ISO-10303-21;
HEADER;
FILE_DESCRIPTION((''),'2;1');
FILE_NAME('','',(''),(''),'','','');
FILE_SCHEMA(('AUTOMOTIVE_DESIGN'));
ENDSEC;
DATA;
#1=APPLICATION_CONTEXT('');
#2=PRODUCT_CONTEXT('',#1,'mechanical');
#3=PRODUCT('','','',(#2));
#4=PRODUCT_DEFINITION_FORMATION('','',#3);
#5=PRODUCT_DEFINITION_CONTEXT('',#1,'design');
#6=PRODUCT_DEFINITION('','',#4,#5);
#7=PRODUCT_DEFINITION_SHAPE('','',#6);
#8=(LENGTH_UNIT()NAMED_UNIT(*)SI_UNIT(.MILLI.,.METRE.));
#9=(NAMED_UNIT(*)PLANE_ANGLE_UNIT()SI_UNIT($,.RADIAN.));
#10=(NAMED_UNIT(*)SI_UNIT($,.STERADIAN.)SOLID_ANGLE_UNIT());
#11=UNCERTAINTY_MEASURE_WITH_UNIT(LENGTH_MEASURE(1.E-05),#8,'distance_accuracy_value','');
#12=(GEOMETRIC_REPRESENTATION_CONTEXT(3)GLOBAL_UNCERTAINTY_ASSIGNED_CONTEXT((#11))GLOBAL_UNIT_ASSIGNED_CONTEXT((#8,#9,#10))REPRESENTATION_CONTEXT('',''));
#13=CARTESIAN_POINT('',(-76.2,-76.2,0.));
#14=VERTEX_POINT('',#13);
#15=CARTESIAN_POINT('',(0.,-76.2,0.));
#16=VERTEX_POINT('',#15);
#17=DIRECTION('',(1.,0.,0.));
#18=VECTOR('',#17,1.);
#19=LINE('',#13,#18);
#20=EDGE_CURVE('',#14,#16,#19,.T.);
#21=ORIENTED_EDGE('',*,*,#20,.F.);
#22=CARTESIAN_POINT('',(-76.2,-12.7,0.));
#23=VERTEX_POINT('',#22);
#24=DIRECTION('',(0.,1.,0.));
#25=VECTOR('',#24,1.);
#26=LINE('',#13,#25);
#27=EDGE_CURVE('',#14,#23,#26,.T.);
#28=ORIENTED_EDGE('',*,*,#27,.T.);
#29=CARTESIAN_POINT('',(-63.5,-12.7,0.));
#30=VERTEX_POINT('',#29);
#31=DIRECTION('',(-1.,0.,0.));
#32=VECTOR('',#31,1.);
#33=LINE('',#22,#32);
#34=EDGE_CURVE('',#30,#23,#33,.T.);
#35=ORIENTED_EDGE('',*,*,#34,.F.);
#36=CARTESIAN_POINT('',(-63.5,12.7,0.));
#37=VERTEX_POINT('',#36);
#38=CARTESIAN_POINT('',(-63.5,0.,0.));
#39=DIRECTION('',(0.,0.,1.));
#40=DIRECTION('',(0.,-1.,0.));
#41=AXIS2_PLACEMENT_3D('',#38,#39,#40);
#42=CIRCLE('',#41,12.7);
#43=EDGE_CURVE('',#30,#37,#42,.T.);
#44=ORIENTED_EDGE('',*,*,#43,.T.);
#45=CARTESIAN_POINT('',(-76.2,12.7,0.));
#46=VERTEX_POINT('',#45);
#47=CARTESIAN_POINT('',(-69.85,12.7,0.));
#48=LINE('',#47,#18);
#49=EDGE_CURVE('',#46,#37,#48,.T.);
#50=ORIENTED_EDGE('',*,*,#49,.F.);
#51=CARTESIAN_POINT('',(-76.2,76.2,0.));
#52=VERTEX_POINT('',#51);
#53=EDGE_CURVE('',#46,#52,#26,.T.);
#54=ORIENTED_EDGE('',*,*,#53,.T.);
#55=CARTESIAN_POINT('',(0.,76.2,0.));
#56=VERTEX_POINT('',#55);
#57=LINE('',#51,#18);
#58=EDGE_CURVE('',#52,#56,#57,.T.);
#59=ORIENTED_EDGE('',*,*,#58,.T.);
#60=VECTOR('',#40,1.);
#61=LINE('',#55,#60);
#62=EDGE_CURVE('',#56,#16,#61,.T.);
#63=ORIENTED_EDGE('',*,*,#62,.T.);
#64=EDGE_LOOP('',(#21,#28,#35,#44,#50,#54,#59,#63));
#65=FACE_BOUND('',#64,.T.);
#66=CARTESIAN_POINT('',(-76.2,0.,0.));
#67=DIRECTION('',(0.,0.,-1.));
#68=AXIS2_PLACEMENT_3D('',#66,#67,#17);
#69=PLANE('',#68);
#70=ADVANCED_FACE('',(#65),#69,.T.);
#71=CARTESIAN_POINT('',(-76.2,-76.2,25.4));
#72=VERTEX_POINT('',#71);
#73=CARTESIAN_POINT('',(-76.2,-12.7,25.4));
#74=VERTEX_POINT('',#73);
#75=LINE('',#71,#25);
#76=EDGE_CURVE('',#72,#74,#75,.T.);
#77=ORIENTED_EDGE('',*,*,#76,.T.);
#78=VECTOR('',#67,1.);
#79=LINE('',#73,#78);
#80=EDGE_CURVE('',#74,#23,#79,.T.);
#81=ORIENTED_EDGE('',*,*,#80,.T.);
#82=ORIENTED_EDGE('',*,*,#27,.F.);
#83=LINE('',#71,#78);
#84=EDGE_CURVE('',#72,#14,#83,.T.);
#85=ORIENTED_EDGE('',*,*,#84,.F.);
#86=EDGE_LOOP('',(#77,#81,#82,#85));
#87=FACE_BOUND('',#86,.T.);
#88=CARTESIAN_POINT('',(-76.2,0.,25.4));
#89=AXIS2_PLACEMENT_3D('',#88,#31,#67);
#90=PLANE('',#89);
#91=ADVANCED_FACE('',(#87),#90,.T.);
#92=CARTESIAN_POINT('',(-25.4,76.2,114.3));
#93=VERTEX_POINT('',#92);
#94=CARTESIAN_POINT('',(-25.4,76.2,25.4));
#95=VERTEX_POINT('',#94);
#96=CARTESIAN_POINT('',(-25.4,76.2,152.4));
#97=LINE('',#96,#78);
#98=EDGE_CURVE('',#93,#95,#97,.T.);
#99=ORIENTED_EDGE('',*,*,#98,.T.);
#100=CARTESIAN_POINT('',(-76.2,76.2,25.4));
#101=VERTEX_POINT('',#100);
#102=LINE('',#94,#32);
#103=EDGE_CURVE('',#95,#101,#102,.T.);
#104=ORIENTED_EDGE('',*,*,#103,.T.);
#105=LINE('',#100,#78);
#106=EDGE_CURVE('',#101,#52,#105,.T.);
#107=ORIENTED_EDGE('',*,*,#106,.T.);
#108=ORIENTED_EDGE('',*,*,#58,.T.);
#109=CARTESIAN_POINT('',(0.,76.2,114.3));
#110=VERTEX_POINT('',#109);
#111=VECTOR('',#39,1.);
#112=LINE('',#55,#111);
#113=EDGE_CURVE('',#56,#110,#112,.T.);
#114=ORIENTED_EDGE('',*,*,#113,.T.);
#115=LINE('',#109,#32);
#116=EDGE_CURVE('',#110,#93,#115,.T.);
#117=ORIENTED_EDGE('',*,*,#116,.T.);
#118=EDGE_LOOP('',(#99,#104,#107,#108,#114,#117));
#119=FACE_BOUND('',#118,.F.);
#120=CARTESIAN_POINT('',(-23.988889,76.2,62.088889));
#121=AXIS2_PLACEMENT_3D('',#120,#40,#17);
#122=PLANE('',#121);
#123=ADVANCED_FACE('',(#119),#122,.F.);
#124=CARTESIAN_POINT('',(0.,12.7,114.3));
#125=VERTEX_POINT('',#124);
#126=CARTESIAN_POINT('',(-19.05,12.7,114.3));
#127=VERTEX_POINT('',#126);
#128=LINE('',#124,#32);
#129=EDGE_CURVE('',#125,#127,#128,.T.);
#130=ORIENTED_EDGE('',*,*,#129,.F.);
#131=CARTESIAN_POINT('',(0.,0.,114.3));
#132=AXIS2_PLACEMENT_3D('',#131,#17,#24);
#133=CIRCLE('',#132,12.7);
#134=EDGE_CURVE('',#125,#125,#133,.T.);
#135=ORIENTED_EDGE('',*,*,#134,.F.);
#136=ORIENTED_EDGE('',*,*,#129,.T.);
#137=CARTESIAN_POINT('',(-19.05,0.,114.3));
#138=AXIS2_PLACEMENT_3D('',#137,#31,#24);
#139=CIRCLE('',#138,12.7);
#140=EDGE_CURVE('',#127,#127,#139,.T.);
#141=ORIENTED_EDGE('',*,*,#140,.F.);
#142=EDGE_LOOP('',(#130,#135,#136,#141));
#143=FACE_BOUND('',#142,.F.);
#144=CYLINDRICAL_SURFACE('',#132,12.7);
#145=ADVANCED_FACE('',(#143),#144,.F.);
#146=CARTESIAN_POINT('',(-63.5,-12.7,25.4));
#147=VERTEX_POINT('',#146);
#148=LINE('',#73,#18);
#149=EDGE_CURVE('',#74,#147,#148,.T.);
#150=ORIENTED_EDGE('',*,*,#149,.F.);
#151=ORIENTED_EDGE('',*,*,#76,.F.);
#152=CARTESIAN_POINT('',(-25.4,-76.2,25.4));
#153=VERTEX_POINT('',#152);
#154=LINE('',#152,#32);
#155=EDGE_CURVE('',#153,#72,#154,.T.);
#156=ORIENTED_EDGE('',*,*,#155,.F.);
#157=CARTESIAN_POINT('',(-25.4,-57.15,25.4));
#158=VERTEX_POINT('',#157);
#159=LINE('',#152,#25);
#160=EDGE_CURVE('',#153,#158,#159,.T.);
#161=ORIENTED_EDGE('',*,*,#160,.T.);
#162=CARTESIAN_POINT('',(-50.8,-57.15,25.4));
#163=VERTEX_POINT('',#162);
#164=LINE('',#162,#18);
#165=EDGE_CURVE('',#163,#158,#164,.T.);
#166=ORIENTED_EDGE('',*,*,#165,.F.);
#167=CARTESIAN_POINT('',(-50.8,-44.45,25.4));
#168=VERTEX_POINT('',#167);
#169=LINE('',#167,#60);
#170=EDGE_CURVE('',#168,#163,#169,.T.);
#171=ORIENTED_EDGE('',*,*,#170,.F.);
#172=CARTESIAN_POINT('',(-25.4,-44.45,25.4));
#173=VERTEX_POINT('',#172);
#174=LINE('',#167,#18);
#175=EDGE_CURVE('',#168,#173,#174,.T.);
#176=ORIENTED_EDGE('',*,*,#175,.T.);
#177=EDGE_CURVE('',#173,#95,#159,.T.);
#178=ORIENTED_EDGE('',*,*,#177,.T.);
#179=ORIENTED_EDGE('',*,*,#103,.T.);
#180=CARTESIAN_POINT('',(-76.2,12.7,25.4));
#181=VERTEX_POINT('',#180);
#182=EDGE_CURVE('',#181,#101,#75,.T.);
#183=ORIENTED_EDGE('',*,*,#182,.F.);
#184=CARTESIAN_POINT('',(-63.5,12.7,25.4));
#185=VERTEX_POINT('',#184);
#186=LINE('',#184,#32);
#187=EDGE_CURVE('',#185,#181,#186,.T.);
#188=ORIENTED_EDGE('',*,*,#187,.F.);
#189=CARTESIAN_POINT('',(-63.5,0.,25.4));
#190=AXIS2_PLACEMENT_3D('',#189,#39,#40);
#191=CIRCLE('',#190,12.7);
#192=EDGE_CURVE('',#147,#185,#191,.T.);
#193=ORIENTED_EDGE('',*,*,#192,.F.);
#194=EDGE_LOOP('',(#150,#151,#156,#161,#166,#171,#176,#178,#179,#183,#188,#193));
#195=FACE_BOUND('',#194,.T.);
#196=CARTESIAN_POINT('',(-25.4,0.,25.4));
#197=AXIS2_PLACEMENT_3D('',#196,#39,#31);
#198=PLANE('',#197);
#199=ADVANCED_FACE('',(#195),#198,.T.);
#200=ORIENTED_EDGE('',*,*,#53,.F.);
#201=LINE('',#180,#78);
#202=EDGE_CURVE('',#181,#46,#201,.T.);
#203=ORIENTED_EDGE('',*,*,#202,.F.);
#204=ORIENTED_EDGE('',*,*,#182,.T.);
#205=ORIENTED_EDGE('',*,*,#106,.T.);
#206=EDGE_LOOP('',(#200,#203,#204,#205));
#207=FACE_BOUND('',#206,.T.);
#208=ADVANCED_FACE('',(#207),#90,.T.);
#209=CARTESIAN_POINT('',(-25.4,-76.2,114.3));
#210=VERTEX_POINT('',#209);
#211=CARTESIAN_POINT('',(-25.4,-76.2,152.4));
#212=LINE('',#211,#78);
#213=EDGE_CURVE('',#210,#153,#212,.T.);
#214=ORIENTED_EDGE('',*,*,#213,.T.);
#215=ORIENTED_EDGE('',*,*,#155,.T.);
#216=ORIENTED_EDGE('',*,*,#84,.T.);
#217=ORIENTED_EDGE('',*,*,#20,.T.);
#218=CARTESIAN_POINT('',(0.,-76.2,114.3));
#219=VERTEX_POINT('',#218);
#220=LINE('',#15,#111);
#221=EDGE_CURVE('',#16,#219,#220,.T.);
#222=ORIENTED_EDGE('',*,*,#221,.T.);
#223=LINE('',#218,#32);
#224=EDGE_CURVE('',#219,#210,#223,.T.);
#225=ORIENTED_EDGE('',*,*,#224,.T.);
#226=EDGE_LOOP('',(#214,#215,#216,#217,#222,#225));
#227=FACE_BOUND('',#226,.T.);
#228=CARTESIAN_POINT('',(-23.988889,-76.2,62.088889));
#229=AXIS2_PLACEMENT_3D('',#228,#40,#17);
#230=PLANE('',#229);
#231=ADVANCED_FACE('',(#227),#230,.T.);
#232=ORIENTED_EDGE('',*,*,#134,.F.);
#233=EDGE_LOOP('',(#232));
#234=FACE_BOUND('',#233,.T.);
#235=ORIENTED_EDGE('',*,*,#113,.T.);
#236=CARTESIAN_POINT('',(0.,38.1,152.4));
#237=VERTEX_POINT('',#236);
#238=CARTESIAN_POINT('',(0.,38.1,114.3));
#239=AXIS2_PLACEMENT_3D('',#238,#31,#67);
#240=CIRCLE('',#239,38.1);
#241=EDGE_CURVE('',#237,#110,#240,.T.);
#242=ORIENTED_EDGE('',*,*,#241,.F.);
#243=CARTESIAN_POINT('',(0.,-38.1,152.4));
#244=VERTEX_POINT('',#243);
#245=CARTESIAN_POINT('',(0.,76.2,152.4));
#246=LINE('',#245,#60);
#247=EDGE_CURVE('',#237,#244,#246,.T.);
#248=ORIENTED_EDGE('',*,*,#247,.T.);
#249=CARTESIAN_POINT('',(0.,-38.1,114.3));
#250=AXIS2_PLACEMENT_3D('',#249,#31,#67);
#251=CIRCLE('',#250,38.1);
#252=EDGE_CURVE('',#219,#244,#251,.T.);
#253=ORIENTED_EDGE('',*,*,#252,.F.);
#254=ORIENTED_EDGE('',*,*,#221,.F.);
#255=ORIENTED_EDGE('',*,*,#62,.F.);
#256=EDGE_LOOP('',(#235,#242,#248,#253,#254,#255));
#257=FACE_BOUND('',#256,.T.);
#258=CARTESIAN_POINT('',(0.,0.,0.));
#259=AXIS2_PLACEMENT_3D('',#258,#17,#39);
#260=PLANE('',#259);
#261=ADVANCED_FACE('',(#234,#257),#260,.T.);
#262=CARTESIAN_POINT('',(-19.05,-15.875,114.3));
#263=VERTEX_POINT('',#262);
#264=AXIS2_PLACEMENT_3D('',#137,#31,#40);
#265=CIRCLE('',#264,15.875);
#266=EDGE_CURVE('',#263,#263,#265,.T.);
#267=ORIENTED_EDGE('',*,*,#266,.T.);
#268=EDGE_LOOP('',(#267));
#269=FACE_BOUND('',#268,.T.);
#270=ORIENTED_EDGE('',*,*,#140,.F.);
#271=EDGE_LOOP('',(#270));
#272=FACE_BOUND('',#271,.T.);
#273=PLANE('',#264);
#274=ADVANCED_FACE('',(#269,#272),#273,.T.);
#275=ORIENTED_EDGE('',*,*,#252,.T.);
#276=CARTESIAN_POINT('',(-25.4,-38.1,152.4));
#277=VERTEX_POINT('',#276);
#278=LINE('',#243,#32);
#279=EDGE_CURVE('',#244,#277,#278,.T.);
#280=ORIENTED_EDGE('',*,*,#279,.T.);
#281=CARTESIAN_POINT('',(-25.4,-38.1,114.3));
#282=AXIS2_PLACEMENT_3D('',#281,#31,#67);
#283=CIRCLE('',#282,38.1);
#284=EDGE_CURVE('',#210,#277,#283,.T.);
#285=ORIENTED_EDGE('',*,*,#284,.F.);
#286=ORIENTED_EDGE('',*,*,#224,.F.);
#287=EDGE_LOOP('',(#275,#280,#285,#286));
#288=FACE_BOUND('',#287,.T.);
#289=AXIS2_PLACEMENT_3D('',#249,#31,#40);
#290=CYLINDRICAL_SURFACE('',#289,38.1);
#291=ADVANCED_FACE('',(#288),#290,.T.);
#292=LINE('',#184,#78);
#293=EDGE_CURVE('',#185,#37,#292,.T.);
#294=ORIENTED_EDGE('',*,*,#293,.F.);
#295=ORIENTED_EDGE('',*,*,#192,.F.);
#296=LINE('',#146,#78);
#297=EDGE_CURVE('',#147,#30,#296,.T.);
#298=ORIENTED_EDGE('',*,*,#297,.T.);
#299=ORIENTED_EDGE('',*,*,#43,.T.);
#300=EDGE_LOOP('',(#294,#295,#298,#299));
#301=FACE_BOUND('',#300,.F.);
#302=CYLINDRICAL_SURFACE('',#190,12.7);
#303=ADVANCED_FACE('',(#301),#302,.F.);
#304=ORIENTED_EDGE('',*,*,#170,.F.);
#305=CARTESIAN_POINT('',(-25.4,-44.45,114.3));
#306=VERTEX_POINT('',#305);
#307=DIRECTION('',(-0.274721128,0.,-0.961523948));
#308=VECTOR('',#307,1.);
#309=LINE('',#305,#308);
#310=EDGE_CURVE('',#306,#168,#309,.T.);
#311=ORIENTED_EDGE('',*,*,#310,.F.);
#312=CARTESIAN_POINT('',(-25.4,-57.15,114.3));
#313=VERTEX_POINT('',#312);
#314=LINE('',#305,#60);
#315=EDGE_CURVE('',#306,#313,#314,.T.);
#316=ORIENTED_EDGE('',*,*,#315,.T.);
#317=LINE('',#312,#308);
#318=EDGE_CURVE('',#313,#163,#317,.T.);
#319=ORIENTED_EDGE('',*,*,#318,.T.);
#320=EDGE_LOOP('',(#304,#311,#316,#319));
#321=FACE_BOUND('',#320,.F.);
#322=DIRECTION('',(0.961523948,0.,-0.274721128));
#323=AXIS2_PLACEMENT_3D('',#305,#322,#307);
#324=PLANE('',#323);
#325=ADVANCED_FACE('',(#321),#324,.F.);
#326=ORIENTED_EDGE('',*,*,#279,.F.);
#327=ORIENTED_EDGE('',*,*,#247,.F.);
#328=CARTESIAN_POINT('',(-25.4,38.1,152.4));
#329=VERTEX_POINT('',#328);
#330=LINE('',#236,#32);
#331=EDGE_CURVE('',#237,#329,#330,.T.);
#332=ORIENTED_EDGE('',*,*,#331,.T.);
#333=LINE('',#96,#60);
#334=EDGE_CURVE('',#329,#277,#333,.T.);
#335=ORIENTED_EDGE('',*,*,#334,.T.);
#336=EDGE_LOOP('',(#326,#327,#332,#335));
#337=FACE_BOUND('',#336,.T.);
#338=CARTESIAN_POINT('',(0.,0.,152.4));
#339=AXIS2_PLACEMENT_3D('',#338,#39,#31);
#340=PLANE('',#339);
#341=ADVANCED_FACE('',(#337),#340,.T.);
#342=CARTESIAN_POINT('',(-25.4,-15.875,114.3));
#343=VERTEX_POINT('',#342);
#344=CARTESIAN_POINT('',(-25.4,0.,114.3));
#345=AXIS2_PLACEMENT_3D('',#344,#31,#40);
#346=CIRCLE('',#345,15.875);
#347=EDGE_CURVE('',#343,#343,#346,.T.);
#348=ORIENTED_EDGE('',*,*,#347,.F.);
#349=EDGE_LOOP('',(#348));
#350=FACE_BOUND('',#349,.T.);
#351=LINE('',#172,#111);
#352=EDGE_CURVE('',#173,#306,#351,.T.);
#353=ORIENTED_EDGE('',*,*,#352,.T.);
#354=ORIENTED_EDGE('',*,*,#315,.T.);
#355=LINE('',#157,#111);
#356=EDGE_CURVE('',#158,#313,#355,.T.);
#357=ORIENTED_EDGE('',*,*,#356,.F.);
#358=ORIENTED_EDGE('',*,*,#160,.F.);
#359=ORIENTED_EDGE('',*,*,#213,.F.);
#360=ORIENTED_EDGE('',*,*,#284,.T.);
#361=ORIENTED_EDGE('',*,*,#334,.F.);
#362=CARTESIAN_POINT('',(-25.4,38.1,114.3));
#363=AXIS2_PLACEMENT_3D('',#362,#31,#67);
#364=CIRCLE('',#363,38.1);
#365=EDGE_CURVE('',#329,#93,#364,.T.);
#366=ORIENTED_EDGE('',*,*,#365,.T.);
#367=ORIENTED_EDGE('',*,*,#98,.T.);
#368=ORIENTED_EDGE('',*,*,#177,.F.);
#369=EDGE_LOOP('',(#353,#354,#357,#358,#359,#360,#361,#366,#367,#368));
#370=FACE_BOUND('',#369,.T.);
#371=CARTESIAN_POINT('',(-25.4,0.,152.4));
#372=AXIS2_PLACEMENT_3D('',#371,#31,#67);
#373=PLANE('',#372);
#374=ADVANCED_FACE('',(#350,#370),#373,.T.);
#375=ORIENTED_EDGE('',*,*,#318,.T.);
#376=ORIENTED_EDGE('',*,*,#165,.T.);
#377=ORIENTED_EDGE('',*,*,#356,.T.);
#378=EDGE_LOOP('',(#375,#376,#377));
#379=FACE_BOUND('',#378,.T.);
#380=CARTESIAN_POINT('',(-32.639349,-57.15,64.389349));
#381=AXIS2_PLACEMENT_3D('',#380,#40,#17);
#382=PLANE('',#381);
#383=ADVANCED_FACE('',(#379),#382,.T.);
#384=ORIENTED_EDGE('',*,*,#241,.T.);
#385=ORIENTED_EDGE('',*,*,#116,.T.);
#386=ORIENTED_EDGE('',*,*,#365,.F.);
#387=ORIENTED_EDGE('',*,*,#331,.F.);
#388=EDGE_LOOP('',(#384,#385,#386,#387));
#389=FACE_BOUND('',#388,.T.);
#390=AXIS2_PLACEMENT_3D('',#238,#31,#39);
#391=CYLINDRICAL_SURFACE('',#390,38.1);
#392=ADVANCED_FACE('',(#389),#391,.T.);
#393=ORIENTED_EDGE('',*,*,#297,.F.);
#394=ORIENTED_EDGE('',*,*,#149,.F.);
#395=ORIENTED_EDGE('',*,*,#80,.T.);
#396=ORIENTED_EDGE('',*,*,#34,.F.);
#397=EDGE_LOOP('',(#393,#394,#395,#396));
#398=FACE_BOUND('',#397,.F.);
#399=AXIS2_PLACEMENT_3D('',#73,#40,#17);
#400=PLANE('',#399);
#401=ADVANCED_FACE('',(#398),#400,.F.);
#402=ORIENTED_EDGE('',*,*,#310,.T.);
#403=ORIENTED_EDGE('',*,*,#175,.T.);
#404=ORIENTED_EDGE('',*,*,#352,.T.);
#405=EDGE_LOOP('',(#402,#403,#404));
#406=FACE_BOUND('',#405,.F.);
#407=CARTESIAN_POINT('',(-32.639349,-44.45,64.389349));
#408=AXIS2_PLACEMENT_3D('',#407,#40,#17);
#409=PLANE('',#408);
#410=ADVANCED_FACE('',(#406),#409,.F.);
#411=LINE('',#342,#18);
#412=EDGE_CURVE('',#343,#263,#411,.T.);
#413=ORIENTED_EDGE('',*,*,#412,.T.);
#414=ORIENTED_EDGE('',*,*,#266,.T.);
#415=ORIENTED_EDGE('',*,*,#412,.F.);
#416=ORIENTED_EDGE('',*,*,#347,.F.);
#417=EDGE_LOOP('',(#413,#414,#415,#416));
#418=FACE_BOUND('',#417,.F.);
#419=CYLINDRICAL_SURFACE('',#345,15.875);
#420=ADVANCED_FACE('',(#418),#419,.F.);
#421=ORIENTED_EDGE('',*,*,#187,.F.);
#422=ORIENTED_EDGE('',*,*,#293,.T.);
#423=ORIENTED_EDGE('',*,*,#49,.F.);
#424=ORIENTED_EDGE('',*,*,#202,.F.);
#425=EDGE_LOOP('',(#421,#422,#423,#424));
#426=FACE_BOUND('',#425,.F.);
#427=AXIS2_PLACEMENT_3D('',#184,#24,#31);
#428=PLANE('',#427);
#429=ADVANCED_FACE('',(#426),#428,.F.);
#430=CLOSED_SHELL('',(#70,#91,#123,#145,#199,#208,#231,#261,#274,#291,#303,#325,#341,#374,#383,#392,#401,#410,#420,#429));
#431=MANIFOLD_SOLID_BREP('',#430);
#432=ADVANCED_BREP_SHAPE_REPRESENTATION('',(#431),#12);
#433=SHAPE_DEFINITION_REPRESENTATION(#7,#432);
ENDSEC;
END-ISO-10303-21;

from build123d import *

# Parameters (mm, degrees)
F1_DEPTH  = 76.2
F2_R      = 12.7
F3_DEPTH  = 76.201
F5_DEPTH  = 25.401
F6_R      = 38.1
F7_R      = 38.1
F8_R      = 15.875
F8_R_2    = 12.7
F9_DEPTH  = 6.35
F12_DEPTH = 12.7


with BuildPart() as f1:
    # F0 (on Front) → F1 (new body, symmetric)
    with BuildSketch(Plane.XZ):
        Polygon((-76.2, 0), (0, 0), (0, 152.4), (-25.4, 152.4), (-25.4, 25.4), (-76.2, 25.4), align=None)
    extrude(amount=F1_DEPTH, both=True)

    # F2 (on face) → F3 (cut, through all)
    with BuildSketch(Plane.YZ):
        with Locations((0, 114.3)):
            Circle(F2_R)
    extrude(amount=-F3_DEPTH, mode=Mode.SUBTRACT)

    # F4 (on face) → F5 (cut, through all)
    with BuildSketch(Plane.XY.offset(25.4)):
        with BuildLine():
            Line((-76.2, 12.7), (-76.2, 0))
            Line((-76.2, 0), (-76.2, -12.7))
            Line((-76.2, -12.7), (-63.5, -12.7))
            ThreePointArc((-63.5, -12.7), (-50.8, 0), (-63.5, 12.7))
            Line((-63.5, 12.7), (-76.2, 12.7))
        make_face()
    extrude(amount=-F5_DEPTH, mode=Mode.SUBTRACT)

    # F6
    f6_edges = [f1.edges().sort_by_distance(p)[0] for p in [
        (-12.7, -76.2, 152.4),
    ]]
    fillet(f6_edges, radius=F6_R)

    # F7
    f7_edges = [f1.edges().sort_by_distance(p)[0] for p in [
        (-12.7, 76.2, 152.4),
    ]]
    fillet(f7_edges, radius=F7_R)

    # F8 (on face) → F9 (cut)
    with BuildSketch(Plane(origin=(-25.4, 0, 0), x_dir=(0, -1, 0), z_dir=(-1, 0, 0))):
        with Locations((0, 114.3)):
            Circle(F8_R)
        with Locations((0, 114.3)):
            Circle(F8_R_2, mode=Mode.SUBTRACT)
    extrude(amount=-F9_DEPTH, mode=Mode.SUBTRACT)

    # F11 (on offset) → F12 (join)
    with BuildSketch(Plane.XZ.offset(44.45)):
        Polygon((-50.8, 25.4), (-25.4, 25.4), (-25.4, 114.3), align=None)
    extrude(amount=F12_DEPTH)


solid = f1.part
